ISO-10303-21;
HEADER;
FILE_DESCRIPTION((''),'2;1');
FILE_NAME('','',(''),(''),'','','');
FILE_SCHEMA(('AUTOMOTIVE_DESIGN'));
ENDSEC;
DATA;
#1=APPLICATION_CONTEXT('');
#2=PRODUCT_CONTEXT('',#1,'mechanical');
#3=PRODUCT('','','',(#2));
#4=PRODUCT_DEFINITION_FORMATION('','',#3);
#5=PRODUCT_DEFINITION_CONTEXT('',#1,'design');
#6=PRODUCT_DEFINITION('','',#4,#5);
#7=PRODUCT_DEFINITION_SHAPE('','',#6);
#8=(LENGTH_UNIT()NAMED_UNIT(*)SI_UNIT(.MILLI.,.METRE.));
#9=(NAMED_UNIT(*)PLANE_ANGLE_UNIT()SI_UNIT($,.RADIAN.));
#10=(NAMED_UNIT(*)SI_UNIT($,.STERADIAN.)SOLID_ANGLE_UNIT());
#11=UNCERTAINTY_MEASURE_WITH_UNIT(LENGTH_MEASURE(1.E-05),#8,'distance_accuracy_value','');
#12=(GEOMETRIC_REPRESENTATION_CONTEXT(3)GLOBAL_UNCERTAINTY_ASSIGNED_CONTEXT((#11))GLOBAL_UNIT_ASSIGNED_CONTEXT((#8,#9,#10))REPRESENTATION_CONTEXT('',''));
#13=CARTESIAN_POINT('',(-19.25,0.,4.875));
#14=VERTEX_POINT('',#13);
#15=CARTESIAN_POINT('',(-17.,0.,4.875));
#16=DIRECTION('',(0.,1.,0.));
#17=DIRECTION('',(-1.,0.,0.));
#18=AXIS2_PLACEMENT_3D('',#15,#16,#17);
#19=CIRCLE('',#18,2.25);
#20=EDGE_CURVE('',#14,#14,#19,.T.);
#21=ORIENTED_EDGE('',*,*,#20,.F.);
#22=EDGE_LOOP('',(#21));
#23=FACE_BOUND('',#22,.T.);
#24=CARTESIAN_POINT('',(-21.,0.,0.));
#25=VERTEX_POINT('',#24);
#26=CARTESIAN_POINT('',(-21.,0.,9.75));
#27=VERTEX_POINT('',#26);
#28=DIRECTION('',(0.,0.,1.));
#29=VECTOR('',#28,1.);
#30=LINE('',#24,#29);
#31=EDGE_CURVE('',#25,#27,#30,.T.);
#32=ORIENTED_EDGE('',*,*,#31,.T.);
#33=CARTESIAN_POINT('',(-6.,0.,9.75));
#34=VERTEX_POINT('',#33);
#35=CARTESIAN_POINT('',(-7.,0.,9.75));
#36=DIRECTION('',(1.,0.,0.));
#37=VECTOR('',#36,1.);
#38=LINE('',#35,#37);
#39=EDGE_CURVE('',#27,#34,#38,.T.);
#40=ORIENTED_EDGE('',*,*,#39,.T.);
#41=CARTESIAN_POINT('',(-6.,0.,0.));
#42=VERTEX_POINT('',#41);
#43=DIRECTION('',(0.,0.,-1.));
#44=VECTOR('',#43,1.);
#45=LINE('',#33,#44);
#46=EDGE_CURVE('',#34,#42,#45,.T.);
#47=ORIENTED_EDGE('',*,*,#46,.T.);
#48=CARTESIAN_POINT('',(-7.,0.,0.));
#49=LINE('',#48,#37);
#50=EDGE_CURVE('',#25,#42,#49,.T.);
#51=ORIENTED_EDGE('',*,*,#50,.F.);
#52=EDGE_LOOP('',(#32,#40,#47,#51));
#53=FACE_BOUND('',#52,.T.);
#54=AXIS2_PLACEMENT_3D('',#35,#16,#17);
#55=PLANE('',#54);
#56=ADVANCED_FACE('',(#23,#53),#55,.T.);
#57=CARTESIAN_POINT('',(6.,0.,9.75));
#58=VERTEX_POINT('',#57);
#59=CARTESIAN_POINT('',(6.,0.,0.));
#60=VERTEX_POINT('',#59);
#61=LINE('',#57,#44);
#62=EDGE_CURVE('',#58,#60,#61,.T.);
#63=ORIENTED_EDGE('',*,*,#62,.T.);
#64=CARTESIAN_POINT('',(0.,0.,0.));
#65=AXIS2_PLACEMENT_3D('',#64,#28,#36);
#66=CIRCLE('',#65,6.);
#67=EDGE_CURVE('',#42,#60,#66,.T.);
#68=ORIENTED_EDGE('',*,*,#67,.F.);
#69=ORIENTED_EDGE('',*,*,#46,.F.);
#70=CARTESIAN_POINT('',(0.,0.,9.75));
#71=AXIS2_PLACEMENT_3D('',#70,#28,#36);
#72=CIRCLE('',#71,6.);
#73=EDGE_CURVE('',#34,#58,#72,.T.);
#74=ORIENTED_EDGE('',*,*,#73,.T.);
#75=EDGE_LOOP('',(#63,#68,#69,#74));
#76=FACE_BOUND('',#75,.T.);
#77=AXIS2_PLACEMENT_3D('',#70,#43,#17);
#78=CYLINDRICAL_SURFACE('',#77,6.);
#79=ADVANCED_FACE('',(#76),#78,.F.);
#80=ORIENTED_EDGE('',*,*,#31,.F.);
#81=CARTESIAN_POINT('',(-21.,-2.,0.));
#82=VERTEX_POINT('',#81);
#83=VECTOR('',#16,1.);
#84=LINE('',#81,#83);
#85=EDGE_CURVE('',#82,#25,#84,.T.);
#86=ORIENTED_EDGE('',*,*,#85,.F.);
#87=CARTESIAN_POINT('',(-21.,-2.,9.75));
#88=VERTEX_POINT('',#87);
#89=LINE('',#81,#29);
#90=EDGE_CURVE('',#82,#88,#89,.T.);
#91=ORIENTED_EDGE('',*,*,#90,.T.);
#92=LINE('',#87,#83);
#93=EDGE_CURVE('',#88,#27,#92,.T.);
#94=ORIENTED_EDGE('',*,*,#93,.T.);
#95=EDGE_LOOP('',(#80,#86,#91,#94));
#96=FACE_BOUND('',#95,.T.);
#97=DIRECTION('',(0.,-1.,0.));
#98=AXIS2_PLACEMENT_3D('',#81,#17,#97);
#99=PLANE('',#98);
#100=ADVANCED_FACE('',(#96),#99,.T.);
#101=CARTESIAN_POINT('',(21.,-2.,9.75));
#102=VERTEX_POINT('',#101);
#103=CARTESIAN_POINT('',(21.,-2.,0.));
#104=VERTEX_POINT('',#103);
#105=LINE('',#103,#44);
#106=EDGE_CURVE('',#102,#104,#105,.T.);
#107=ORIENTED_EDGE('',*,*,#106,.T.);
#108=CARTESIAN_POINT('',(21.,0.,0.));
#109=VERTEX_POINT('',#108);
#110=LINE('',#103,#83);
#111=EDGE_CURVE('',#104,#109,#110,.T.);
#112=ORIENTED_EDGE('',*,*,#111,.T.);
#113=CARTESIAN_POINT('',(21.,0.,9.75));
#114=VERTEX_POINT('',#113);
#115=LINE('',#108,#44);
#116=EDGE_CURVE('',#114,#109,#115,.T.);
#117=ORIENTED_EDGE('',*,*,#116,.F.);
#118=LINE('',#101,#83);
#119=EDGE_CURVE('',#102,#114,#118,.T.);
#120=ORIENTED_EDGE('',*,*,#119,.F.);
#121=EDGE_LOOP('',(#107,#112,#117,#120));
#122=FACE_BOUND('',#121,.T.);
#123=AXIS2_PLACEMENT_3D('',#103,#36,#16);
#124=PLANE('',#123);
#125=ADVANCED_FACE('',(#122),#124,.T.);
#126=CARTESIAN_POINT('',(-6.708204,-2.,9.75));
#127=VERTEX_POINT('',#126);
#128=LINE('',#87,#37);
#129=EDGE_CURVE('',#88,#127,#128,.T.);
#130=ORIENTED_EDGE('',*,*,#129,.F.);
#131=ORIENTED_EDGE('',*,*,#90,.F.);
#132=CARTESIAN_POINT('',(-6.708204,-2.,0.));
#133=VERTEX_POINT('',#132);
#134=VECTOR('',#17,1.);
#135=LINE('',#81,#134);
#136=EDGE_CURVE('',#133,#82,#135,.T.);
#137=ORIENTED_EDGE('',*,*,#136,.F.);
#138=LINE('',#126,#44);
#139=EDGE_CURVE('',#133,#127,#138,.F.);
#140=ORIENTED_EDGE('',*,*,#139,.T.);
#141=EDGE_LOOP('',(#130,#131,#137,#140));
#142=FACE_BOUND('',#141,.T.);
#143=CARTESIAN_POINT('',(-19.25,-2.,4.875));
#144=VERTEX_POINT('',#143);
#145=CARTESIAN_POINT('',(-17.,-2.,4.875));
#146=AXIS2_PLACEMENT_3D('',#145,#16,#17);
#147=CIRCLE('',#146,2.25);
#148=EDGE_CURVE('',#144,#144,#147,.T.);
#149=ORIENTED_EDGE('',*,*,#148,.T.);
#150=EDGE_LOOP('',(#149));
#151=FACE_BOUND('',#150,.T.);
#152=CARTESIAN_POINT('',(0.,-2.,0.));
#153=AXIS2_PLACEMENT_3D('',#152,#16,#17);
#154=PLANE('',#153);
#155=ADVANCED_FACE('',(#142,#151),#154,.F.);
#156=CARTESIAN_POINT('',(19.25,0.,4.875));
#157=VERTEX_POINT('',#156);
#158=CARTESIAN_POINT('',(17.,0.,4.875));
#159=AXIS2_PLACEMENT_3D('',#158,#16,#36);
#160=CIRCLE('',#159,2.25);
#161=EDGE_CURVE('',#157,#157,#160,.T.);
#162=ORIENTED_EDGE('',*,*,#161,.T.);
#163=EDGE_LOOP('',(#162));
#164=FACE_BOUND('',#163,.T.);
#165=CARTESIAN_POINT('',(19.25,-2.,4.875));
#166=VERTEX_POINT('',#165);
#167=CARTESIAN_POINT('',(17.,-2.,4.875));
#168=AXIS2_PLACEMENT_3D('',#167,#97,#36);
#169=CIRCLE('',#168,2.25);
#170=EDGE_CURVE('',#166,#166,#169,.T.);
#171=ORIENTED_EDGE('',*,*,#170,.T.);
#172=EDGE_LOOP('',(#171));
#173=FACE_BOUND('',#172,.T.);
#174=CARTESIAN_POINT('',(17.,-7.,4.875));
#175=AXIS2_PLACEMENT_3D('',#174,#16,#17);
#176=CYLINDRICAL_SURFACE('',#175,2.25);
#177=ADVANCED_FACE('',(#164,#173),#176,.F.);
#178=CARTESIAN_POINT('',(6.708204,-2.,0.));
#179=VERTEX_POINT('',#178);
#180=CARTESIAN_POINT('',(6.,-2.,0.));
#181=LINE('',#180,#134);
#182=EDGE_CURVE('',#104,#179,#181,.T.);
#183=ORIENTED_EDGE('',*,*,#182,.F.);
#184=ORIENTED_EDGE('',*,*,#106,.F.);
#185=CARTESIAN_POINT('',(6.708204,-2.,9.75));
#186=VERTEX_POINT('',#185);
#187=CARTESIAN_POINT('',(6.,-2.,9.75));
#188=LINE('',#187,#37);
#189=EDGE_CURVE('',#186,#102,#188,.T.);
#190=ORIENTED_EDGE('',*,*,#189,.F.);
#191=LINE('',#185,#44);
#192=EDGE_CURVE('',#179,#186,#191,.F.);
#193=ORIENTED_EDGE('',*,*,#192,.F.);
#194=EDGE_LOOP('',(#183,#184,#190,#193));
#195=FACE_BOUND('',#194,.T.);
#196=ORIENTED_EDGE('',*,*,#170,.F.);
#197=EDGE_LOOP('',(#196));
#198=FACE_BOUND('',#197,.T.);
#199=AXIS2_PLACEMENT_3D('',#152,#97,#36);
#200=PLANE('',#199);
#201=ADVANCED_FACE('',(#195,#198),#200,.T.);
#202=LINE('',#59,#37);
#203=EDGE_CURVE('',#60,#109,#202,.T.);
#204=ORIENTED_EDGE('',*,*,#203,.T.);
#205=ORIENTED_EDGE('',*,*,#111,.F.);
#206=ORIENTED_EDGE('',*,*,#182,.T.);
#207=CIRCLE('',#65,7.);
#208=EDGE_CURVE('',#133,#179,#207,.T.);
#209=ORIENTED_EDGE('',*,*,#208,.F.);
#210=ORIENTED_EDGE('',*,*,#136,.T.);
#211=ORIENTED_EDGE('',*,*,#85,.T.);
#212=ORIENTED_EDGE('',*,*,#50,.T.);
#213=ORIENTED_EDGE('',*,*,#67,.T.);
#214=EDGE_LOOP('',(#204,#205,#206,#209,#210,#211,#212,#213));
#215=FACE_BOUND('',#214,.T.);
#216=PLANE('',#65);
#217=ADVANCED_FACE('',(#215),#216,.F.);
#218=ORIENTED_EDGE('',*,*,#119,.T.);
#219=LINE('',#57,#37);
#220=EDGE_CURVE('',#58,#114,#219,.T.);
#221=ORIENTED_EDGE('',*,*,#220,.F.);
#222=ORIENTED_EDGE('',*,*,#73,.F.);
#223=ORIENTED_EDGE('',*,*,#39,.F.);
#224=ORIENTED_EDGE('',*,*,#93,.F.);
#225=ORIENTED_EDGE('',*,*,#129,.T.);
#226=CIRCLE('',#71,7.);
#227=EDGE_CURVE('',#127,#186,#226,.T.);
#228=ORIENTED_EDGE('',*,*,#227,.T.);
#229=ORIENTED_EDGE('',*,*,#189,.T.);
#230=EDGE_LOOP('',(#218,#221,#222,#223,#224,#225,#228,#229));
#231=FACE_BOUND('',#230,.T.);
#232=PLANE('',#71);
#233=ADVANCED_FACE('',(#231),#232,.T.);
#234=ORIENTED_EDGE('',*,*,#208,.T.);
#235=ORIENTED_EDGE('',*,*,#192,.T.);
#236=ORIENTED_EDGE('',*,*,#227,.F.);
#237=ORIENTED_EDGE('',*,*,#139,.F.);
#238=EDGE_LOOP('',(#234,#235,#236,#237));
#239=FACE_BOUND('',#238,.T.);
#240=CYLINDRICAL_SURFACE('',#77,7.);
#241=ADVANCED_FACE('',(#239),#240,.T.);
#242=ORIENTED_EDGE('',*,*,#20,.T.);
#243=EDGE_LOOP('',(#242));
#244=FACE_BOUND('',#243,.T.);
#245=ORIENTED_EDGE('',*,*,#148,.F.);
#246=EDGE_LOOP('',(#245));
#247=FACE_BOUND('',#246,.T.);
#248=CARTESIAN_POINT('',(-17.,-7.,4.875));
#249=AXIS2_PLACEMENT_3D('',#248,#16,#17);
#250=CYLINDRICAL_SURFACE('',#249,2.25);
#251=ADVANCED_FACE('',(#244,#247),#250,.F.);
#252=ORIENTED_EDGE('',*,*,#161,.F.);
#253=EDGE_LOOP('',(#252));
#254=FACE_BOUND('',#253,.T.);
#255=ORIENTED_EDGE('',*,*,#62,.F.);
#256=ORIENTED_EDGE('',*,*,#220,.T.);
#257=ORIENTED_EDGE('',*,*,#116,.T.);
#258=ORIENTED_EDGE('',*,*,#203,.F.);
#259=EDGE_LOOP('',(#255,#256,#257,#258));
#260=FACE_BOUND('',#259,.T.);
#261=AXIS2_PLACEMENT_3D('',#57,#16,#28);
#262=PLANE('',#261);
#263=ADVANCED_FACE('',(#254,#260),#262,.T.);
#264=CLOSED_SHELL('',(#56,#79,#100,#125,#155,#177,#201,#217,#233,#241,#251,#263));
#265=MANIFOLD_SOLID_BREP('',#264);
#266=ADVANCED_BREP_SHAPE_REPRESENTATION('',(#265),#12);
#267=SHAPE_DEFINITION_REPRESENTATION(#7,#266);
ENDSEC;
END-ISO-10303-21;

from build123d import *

# Parameters (mm, degrees)
EXTRUDE_THIN1_DEPTH = 9.75
SKETCH3_W           = 15
SKETCH3_H           = 9.75
BOSS_EXTRUDE1_DEPTH = 2
SKETCH4_R           = 2.25
CUT_EXTRUDE1_DEPTH  = 25.188065239


with BuildPart() as part:
    # Sketch1 → Extrude-Thin1 (new body)
    with BuildSketch(Plane.XY):
        with BuildLine():
            ThreePointArc((-6, 0), (0, -6), (6, 0))
            Line((6, 0), (7, 0))
            ThreePointArc((7, 0), (0, -7), (-7, 0))
            Line((-7, 0), (-6, 0))
        make_face()
    extrude(amount=EXTRUDE_THIN1_DEPTH)

    # Sketch3 → Boss-Extrude1 (add)
    with BuildSketch(Plane(origin=(0, 0, 0), x_dir=(1, 0, 0), z_dir=(0, 1, 0))):
        with Locations((-13.5, -4.875)):
            Rectangle(SKETCH3_W, SKETCH3_H)
        with Locations((13.5, -4.875)):
            Rectangle(SKETCH3_W, SKETCH3_H)
    extrude(amount=-BOSS_EXTRUDE1_DEPTH)

    # Sketch4 → Cut-Extrude1 (cut, through all)
    with BuildSketch(Plane(origin=(0, 0, 0), x_dir=(1, 0, 0), z_dir=(0, 1, 0))):
        with Locations(Location((-17, -4.875, 0), (0, 0, 180))):
            Circle(SKETCH4_R)
        with Locations((17, -4.875)):
            Circle(SKETCH4_R)
    extrude(amount=-CUT_EXTRUDE1_DEPTH, mode=Mode.SUBTRACT)


solid = part.part
